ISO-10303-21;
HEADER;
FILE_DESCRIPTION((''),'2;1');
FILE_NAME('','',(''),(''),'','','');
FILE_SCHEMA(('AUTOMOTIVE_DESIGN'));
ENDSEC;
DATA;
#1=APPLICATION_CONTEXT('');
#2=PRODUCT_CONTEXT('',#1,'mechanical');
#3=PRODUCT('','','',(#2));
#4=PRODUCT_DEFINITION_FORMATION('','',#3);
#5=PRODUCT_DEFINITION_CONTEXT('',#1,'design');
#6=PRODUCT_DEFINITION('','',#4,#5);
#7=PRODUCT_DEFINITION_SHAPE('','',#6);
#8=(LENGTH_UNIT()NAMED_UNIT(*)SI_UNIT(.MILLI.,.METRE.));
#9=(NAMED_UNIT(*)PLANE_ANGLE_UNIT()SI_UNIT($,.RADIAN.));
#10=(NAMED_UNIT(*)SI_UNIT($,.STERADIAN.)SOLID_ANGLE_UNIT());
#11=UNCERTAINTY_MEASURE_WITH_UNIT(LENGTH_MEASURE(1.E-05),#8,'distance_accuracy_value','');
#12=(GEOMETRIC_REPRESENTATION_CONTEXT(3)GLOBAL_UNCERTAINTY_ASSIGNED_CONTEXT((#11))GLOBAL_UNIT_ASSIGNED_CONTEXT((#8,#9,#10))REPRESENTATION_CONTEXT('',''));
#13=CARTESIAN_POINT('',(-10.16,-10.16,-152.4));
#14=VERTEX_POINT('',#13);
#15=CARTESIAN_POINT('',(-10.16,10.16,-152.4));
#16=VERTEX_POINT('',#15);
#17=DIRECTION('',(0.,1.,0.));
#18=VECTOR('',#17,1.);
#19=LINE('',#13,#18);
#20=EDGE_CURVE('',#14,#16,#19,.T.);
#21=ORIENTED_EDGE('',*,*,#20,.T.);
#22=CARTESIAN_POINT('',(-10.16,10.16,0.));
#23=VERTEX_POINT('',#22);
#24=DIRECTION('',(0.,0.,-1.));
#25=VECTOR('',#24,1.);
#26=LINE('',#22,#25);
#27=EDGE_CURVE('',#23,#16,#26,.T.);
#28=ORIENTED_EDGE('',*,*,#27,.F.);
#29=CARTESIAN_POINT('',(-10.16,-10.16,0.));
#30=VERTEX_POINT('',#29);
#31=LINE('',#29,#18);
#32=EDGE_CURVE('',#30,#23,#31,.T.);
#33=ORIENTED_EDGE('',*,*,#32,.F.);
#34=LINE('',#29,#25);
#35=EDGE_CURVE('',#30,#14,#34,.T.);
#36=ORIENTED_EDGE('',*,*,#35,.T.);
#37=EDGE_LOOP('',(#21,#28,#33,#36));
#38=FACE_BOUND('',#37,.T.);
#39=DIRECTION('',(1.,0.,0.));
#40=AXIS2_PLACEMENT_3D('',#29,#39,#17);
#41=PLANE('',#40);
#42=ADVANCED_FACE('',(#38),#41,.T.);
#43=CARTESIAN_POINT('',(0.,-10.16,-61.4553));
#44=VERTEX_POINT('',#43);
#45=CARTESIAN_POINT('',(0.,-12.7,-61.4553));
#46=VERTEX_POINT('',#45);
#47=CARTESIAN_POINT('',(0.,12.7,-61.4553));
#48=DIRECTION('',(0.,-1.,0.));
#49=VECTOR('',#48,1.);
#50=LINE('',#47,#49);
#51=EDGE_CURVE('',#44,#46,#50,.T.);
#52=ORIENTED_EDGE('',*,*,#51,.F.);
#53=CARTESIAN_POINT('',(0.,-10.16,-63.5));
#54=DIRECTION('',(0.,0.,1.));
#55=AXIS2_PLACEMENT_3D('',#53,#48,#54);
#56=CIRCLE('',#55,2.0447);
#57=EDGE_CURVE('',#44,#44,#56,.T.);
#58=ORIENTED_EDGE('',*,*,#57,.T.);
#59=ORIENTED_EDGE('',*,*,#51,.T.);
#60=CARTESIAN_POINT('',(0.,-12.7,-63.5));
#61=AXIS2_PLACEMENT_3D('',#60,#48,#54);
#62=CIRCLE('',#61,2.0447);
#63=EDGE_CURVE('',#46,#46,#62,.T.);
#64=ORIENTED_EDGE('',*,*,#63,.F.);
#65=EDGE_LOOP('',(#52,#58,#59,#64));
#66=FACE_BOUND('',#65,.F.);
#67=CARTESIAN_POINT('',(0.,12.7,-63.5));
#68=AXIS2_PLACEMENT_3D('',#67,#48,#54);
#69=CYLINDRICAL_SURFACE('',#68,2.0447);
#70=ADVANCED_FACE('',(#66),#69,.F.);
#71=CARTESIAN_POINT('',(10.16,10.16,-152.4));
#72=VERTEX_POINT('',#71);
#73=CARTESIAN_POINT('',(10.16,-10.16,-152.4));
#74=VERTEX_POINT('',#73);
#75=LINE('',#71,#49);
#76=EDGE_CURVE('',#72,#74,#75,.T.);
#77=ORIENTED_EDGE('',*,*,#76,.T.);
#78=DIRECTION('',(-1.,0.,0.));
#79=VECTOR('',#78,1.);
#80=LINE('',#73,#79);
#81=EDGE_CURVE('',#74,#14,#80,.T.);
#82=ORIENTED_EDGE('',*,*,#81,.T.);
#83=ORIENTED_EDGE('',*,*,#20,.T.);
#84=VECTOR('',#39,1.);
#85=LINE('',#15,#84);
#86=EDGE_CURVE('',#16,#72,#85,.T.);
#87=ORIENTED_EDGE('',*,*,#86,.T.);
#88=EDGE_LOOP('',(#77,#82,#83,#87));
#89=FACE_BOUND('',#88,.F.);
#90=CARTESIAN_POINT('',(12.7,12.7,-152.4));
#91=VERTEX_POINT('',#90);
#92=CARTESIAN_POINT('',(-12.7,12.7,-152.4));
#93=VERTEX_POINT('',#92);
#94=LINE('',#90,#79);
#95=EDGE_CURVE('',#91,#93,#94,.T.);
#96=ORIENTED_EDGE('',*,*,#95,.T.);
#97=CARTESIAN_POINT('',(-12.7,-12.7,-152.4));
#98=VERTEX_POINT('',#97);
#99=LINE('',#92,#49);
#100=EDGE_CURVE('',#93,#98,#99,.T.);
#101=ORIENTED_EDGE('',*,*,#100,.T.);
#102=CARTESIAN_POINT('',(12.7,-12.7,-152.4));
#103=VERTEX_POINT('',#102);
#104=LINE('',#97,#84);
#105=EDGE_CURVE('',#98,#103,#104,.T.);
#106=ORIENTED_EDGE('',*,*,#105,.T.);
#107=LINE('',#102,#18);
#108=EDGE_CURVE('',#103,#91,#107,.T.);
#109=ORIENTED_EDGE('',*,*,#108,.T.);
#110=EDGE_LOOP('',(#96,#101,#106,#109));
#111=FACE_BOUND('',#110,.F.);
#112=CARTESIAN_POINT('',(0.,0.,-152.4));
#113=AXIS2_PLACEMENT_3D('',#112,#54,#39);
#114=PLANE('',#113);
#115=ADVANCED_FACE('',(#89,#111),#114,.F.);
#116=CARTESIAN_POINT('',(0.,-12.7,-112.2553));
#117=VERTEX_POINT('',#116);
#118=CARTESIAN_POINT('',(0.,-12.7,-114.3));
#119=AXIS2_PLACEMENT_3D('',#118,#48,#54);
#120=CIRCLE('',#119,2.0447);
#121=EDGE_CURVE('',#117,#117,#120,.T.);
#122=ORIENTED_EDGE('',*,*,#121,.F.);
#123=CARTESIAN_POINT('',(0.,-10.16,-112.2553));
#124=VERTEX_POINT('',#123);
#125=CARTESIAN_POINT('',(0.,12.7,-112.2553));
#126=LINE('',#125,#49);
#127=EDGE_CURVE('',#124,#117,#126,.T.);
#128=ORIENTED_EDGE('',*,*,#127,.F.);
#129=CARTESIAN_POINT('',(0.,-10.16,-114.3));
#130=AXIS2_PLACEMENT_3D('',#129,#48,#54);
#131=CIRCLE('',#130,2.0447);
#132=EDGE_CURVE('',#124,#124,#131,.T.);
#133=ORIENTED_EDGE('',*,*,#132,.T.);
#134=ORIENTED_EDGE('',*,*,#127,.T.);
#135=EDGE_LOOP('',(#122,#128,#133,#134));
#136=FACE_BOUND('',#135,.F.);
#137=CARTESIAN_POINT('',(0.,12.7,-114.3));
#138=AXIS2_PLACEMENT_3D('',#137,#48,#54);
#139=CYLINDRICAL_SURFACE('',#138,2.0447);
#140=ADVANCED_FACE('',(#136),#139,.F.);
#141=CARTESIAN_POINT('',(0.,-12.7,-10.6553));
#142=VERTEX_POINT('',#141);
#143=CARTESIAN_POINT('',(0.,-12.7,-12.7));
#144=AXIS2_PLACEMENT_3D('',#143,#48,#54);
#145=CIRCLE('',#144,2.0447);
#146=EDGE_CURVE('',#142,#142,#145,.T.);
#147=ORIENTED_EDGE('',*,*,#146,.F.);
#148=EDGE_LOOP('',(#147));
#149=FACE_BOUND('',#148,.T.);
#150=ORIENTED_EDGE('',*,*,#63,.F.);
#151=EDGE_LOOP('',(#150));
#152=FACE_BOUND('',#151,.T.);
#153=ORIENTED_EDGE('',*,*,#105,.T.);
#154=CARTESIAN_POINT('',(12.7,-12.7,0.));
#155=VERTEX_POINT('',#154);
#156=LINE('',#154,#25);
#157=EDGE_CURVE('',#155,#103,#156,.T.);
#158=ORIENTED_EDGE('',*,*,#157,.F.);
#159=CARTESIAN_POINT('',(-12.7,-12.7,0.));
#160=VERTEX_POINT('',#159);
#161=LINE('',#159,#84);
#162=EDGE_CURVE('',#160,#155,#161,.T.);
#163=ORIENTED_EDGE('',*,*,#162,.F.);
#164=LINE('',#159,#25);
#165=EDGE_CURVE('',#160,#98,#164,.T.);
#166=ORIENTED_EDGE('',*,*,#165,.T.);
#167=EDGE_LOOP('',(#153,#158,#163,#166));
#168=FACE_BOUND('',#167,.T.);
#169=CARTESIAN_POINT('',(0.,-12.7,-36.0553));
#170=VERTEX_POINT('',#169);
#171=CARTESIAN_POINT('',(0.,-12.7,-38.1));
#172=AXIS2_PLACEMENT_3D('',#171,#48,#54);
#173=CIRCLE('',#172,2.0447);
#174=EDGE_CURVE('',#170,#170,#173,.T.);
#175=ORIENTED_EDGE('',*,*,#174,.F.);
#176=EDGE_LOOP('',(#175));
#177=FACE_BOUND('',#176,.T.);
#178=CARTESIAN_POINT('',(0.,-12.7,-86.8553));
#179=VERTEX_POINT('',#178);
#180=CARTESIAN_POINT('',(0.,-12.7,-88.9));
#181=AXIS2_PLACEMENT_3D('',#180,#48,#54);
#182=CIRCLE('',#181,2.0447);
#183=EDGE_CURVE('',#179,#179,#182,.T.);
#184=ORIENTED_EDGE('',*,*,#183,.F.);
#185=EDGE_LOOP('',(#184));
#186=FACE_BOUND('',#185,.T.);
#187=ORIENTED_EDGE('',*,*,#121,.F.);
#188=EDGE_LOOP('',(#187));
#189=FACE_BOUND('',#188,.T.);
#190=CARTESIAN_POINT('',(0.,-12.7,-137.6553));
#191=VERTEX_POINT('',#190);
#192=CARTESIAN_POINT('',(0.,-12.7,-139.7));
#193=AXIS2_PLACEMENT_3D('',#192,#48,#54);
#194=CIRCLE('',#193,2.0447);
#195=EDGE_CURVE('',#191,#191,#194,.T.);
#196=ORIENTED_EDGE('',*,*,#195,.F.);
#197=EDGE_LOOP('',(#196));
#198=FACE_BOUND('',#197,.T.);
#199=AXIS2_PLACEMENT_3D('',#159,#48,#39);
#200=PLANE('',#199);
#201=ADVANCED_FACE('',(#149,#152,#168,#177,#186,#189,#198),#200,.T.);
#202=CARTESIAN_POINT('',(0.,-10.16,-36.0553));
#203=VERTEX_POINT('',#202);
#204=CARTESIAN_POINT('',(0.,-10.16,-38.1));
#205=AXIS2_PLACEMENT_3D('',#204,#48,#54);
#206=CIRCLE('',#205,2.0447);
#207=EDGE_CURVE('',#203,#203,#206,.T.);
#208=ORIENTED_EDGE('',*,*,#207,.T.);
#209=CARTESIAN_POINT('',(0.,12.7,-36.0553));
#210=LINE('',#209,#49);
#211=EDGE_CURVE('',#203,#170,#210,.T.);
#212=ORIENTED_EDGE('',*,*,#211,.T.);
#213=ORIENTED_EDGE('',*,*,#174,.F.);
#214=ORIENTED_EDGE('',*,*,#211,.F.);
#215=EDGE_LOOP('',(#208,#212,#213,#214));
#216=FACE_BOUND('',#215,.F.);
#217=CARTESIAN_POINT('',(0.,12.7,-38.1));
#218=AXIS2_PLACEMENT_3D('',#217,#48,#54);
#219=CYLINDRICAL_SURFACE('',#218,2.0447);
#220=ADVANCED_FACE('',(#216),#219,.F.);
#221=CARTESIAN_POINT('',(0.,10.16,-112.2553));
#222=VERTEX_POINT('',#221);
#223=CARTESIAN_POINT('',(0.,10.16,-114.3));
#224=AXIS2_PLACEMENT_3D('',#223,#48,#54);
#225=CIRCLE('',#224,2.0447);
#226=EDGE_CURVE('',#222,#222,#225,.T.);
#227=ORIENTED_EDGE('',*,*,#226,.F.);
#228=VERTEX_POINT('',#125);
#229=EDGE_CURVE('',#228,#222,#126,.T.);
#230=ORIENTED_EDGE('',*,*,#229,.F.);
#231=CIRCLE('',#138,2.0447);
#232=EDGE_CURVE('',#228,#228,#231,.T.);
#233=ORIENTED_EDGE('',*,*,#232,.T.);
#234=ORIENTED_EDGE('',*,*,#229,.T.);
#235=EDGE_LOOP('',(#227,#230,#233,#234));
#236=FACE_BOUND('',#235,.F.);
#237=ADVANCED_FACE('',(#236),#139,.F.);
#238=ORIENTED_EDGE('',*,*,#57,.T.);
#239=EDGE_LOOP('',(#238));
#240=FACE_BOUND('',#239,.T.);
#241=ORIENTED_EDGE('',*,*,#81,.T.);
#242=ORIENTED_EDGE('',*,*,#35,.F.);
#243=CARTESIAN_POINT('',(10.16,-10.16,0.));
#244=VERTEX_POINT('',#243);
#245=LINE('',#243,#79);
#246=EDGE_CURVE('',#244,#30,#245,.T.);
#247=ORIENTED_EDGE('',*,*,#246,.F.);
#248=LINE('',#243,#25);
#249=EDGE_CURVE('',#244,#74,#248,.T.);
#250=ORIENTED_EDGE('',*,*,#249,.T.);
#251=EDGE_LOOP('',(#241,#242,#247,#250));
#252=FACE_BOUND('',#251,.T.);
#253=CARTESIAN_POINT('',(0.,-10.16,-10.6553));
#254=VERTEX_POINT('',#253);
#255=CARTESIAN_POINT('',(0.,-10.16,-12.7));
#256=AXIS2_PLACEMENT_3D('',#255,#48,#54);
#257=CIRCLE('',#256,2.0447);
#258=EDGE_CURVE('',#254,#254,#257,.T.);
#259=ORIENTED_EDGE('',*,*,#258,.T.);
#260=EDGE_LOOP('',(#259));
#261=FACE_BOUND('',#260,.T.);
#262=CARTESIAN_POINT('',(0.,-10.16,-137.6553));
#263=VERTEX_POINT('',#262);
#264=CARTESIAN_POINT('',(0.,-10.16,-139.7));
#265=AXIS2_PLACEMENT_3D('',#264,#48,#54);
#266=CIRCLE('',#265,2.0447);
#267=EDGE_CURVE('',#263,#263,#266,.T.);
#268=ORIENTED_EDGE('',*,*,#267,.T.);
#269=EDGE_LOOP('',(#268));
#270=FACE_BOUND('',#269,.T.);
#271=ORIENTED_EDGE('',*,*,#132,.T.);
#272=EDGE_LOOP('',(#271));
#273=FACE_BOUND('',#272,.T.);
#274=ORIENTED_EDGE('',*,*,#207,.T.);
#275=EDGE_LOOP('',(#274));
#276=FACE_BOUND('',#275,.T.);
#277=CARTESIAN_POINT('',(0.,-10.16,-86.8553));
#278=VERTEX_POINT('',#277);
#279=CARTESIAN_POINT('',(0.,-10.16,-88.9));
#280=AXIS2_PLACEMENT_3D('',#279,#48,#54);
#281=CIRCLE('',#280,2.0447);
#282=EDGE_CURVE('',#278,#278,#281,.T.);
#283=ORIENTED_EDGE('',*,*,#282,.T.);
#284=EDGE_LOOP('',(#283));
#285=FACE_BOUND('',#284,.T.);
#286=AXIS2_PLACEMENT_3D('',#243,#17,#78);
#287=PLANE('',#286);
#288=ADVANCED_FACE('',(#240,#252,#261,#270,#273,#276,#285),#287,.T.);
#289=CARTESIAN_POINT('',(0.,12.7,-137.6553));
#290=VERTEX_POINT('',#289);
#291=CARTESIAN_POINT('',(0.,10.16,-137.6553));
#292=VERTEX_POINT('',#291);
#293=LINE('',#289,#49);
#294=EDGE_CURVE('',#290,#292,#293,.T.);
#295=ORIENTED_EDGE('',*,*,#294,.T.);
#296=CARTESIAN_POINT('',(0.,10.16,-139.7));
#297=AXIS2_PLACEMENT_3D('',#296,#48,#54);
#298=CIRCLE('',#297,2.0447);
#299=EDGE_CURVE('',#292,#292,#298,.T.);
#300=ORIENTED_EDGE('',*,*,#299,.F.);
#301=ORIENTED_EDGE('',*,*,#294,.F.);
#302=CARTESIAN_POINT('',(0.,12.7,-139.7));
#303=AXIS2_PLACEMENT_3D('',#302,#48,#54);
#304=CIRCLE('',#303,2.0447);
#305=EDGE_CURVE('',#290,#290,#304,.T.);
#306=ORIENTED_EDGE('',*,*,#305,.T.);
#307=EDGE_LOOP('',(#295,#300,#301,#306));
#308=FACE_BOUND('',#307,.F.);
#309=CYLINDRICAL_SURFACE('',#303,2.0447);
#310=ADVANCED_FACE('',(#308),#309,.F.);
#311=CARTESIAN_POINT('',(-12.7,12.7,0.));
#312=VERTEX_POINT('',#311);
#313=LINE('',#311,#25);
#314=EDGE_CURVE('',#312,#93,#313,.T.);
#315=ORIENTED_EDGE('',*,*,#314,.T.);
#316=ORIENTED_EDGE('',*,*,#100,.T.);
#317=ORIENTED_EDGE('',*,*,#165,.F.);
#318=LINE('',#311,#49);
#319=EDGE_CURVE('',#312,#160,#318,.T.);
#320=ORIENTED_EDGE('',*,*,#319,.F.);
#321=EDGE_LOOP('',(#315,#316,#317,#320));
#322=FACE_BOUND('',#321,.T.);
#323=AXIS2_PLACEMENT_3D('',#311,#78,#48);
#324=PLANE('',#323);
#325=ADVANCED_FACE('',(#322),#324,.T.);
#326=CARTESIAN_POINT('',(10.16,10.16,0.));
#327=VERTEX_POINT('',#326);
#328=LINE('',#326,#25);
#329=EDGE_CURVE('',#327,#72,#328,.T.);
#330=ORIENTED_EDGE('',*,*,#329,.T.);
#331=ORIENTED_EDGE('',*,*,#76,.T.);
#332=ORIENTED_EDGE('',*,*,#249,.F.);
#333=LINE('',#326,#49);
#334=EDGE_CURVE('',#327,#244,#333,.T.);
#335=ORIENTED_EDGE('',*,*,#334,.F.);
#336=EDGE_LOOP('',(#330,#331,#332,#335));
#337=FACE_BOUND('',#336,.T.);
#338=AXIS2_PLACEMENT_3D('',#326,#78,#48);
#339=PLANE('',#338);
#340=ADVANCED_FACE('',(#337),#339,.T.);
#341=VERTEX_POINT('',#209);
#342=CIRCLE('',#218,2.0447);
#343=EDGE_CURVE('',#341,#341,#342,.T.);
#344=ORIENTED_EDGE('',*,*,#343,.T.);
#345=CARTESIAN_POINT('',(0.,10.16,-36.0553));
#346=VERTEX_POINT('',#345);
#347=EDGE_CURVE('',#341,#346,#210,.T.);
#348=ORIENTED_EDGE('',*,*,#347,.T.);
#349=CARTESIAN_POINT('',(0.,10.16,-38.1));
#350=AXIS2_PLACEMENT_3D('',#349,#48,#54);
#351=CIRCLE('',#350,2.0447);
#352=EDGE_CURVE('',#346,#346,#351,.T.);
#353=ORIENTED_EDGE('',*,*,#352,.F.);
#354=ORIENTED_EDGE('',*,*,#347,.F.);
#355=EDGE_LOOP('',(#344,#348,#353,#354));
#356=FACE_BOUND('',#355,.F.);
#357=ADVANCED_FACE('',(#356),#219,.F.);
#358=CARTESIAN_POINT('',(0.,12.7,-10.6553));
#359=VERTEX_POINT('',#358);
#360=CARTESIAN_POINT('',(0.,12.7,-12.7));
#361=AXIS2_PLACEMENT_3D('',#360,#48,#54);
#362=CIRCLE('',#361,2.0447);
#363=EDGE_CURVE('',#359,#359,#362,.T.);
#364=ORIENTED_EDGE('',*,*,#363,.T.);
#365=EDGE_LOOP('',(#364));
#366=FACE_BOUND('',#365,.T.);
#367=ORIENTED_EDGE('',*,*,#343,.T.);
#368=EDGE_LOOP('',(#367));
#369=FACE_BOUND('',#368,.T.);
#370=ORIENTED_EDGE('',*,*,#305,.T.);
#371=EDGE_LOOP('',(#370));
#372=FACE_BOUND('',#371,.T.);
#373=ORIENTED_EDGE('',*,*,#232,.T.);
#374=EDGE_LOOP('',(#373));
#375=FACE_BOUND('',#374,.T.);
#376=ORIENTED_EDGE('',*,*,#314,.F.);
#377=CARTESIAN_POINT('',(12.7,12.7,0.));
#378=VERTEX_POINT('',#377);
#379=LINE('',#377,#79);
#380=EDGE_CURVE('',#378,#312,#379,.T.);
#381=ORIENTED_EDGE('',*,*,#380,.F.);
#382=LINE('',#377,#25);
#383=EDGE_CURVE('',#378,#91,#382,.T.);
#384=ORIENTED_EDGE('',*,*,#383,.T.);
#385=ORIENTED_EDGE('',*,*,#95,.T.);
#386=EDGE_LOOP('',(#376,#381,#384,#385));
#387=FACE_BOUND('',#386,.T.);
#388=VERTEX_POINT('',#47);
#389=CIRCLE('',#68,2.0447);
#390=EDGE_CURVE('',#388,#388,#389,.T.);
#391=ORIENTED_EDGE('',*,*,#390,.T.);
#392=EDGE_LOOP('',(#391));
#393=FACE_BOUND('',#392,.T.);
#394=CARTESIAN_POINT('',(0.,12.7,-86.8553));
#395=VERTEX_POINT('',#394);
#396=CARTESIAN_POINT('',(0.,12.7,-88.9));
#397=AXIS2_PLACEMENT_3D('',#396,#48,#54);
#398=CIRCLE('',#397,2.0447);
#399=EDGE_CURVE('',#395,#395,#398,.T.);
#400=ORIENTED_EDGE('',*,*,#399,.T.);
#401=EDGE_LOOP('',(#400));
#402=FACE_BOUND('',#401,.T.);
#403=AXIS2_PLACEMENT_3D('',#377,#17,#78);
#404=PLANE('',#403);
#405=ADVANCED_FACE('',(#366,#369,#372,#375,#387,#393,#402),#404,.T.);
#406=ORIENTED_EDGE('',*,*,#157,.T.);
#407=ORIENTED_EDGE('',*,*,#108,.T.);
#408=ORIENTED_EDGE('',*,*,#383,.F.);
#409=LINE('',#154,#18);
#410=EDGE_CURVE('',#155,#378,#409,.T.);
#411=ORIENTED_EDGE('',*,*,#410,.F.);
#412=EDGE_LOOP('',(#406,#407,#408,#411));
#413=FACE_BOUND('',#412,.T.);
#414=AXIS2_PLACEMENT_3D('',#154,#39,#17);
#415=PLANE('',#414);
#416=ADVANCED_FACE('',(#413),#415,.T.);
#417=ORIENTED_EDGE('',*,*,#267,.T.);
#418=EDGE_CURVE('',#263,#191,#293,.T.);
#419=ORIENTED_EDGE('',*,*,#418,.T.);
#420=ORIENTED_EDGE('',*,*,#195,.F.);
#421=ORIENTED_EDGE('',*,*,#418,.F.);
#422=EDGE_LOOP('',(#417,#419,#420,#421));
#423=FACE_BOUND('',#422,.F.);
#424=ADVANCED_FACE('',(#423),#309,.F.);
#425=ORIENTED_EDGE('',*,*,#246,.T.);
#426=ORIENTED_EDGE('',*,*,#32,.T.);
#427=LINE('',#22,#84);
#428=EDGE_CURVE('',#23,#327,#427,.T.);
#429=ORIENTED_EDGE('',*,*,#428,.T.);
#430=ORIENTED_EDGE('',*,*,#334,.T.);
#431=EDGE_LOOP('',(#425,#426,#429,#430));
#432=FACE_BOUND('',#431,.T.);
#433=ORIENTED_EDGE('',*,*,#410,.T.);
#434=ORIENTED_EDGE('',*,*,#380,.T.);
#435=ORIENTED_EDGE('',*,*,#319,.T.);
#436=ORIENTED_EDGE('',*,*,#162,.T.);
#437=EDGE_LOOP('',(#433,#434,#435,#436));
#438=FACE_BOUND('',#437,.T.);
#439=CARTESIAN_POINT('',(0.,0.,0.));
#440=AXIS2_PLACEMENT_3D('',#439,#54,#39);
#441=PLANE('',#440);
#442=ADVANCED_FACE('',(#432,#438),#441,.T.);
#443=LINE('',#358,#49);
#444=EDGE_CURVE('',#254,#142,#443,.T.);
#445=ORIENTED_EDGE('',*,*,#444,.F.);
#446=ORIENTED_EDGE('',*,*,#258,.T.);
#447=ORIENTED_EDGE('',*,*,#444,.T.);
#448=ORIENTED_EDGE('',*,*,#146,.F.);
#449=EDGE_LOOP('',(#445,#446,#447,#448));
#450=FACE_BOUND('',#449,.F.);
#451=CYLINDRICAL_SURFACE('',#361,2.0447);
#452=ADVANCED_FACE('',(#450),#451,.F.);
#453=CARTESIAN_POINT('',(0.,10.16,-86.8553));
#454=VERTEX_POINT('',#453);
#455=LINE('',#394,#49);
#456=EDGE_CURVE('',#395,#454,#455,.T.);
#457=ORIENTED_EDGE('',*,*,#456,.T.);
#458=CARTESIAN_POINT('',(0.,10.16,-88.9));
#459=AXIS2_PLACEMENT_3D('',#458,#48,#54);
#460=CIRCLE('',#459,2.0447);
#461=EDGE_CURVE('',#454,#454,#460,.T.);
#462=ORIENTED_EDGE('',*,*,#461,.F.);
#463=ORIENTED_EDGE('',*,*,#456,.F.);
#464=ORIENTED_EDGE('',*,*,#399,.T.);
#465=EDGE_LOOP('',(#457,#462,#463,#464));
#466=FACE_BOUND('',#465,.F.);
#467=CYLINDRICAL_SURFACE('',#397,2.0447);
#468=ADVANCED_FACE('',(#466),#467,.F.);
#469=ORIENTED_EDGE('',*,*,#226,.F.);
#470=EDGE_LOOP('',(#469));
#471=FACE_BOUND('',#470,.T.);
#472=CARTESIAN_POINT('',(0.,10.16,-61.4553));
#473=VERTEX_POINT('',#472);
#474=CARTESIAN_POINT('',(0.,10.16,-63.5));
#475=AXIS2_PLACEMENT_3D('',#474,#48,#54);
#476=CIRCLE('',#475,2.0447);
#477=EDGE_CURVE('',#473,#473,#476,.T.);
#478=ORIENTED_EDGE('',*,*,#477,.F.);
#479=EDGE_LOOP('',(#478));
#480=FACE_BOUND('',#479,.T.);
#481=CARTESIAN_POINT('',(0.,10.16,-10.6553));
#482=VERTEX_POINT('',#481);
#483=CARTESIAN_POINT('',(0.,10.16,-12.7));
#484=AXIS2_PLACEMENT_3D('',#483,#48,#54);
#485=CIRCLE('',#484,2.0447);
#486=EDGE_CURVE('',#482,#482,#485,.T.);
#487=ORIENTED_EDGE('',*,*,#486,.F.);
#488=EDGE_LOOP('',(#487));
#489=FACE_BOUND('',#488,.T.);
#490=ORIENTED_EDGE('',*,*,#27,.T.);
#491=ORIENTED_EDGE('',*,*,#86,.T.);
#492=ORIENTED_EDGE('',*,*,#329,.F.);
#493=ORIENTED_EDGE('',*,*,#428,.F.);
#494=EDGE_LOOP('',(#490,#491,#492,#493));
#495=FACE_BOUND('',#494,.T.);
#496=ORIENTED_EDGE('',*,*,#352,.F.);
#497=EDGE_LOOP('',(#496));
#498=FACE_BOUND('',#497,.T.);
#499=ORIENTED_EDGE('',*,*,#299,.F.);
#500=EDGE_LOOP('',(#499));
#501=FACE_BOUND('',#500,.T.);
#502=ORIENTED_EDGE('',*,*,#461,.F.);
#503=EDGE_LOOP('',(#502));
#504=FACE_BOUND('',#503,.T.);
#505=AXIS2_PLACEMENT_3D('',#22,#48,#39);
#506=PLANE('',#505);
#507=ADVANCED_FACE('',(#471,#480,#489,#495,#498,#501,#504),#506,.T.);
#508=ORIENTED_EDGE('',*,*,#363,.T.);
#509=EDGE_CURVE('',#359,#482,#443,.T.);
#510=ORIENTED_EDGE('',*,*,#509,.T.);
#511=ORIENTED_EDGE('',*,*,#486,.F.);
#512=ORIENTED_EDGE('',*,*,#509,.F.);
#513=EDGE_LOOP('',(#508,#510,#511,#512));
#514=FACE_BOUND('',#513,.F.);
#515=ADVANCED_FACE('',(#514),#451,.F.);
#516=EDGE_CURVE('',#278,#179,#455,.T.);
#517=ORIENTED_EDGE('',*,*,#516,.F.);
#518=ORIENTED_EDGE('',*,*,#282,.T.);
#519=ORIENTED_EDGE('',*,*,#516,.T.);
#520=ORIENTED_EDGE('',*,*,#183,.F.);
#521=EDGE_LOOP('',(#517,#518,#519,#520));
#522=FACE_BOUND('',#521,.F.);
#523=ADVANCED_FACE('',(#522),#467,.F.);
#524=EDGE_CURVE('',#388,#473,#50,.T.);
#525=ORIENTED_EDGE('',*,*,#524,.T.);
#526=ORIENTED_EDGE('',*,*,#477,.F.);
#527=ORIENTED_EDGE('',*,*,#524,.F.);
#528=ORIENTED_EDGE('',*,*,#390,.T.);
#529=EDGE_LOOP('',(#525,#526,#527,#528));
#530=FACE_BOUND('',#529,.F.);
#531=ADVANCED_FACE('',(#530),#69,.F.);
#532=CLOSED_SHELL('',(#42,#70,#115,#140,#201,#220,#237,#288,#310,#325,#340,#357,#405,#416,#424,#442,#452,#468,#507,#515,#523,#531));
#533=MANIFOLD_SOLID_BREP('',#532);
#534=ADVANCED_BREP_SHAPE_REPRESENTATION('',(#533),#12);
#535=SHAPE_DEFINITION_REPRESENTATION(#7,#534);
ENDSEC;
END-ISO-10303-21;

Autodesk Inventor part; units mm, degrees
ref_plane "YZ Plane" through (0, 0, 0) normal (1, 0, 0) x (0, 1, 0)
ref_plane "XZ Plane" through (0, 0, 0) normal (0, 1, 0) x (-1, 0, 0)
ref_plane "XY Plane" through (0, 0, 0) normal (0, 0, 1) x (1, 0, 0)
sketch "Sketch1" plane through (0, 0, 0) normal (0, 0, 1) x (1, 0, 0)
  line L0 (-12.7, -12.7) -> (12.7, -12.7)
  line L1 (12.7, -12.7) -> (12.7, 12.7)
  line L2 (12.7, 12.7) -> (-12.7, 12.7)
  line L3 (-12.7, 12.7) -> (-12.7, -12.7)
  line L4 (-12.7, -12.7) -> (12.7, 12.7) construction
  line L5 (12.7, -12.7) -> (-12.7, 12.7) construction
  line L6 (-10.16, 10.16) -> (10.16, 10.16)
  line L7 (10.16, 10.16) -> (10.16, -10.16)
  line L8 (10.16, -10.16) -> (-10.16, -10.16)
  line L9 (-10.16, -10.16) -> (-10.16, 10.16)
  point P0 (0, 0)
  dimension "l1" = 25.4
  dimension "l2" = 25.4
  dimension "wt" = 2.54
extrude "Extrusion1" add sketch "Sketch1" against normal blind 152.4
sketch "Sketch2" plane through (-12.7, 12.7, 0) normal (0, 1, 0) x (1, 0, 0)
  line L0 (25.4, 0) -> (0, 0) projected
  line L1 (25.4, 0) -> (25.4, 152.4) projected
  line L2 (0, 152.4) -> (25.4, 152.4) projected
  line L3 (0, 0) -> (0, 152.4) projected
  point P0 (12.7, 0)
  point P1 (12.7, 12.7)
  dimension "d5" = 25.4
  dimension "d6" = 12.7
  dimension "d7" = 12.7
hole "Hole3" at (0, 12.7, -12.7) direction (0, -1, 0) diameter 4.0894 end through all
sketch "Sketch3" plane through (12.7, -12.7, 0) normal (1, 0, 0) x (0, 0, -1)
  line L0 (0, 0) -> (0, 25.4) projected
  line L1 (0, 0) -> (152.4, 0) projected
  line L2 (152.4, 25.4) -> (152.4, 0) projected
  line L3 (0, 25.4) -> (152.4, 25.4) projected
  point P0 (0, 12.7)
  point P1 (25.4, 12.7)
  dimension "d22" = 25.4
  dimension "d23" = 12.7
  dimension "d24" = 25.4
hole "Hole4" [suppressed]
pattern_linear "Rectangular Pattern1" count 7 spacing 25.4 along (0, 0, -1) of "Hole3"
pattern_linear "Rectangular Pattern2" [suppressed]
equation "\"d6\" = 0.5 * d5"
equation "\"d23\" = 0.5 * d22"
properties part number "versatubing_1x2x100" material "Aluminum 6061"
